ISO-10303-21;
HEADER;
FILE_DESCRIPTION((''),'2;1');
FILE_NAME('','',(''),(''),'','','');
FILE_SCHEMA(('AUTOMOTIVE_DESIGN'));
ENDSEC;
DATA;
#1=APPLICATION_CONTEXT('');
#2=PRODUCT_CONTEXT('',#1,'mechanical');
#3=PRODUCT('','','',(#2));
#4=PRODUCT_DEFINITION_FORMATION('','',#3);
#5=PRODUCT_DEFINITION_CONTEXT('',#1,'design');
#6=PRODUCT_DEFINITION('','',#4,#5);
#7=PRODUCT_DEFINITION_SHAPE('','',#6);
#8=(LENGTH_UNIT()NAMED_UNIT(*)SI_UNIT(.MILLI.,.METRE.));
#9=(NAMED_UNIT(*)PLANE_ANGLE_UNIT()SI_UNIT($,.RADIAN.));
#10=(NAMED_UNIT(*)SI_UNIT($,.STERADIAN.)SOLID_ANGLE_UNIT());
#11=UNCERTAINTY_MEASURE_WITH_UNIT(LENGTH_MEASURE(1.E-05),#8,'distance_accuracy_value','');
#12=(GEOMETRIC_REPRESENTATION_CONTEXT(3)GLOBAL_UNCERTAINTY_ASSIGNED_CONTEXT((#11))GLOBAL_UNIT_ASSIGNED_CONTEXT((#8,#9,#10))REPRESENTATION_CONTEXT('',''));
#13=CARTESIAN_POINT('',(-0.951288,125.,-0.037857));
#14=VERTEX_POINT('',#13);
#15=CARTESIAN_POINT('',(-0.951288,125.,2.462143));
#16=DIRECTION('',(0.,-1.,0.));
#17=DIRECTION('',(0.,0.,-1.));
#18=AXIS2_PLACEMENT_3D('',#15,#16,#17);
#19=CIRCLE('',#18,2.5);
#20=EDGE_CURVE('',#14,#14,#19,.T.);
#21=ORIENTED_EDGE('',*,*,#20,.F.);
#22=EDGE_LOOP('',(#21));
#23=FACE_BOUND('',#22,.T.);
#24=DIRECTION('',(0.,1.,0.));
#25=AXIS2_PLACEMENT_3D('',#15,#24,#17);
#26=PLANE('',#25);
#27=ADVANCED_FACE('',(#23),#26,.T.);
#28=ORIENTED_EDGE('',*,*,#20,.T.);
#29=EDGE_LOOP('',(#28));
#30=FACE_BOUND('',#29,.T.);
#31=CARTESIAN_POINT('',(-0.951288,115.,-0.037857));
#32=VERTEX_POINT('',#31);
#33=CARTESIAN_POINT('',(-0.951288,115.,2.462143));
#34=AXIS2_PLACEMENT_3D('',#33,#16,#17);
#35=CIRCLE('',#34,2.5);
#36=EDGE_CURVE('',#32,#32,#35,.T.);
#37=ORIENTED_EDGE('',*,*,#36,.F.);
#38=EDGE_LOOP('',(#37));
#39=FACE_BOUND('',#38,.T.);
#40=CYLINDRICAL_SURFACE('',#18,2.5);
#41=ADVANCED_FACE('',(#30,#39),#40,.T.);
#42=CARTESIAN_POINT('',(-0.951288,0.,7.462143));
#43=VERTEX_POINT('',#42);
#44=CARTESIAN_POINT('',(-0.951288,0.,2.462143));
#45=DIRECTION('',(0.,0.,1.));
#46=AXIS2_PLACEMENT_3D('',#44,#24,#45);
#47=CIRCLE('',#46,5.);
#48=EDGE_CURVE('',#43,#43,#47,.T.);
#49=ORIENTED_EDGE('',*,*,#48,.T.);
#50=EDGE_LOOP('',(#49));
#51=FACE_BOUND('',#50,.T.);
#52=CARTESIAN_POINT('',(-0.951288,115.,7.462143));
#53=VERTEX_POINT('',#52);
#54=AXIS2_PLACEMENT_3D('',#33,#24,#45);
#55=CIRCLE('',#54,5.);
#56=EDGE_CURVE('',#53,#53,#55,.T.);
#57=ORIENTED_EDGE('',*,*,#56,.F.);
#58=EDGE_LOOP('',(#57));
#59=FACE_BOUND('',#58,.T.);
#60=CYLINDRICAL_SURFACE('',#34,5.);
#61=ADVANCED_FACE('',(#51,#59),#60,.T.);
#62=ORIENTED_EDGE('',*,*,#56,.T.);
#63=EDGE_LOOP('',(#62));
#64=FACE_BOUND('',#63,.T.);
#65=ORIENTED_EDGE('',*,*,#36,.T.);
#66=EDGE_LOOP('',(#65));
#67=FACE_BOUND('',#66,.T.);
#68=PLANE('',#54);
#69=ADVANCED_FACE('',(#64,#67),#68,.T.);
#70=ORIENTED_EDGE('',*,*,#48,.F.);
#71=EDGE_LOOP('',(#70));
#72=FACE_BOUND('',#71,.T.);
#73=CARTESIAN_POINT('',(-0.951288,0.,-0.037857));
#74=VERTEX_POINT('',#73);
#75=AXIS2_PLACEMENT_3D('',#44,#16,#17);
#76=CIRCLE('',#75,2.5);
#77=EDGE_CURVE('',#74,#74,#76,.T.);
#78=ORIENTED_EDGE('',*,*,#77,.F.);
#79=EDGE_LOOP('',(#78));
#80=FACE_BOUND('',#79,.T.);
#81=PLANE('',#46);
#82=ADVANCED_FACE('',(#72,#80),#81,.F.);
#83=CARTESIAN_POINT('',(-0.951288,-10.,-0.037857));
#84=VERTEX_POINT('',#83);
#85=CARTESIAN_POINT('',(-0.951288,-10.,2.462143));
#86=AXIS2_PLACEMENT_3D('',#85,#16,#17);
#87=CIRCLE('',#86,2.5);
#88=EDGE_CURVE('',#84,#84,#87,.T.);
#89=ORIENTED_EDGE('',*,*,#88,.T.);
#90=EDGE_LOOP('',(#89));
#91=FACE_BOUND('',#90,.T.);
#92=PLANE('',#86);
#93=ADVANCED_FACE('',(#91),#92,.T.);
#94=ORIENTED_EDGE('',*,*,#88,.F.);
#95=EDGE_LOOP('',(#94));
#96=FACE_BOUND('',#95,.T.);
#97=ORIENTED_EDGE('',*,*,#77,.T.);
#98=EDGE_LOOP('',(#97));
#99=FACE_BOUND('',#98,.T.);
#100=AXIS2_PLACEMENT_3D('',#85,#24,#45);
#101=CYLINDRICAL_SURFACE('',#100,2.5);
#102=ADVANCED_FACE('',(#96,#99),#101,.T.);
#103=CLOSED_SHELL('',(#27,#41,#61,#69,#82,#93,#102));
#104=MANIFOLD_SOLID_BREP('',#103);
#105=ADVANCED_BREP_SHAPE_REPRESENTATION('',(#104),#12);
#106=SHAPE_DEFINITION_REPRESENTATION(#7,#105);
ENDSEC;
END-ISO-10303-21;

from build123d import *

# Parameters (mm, degrees)
SKETCH1_R           = 5
BOSS_EXTRUDE1_DEPTH = 115
SKETCH2_R           = 2.5
BOSS_EXTRUDE2_DEPTH = 10


with BuildPart() as part:
    # Sketch1 → Boss-Extrude1 (new body)
    with BuildSketch(Plane(origin=(0, 0, 0), x_dir=(1, 0, 0), z_dir=(0, 1, 0))):
        with Locations(Location((-0.95128767, -2.46214322, 0), (0, 0, 270))):
            Circle(SKETCH1_R)
    extrude(amount=BOSS_EXTRUDE1_DEPTH)

    # Sketch2 → Boss-Extrude2 (add)
    with BuildSketch(Plane.XZ):
        with Locations(Location((-0.95128767, 2.46214322, 0), (0, 0, 270))):
            Circle(SKETCH2_R)
    boss_extrude2 = extrude(amount=BOSS_EXTRUDE2_DEPTH)

    # Mirror1: Boss-Extrude2 across plane
    add(boss_extrude2.mirror(Plane.ZX.offset(57.5)))


solid = part.part
